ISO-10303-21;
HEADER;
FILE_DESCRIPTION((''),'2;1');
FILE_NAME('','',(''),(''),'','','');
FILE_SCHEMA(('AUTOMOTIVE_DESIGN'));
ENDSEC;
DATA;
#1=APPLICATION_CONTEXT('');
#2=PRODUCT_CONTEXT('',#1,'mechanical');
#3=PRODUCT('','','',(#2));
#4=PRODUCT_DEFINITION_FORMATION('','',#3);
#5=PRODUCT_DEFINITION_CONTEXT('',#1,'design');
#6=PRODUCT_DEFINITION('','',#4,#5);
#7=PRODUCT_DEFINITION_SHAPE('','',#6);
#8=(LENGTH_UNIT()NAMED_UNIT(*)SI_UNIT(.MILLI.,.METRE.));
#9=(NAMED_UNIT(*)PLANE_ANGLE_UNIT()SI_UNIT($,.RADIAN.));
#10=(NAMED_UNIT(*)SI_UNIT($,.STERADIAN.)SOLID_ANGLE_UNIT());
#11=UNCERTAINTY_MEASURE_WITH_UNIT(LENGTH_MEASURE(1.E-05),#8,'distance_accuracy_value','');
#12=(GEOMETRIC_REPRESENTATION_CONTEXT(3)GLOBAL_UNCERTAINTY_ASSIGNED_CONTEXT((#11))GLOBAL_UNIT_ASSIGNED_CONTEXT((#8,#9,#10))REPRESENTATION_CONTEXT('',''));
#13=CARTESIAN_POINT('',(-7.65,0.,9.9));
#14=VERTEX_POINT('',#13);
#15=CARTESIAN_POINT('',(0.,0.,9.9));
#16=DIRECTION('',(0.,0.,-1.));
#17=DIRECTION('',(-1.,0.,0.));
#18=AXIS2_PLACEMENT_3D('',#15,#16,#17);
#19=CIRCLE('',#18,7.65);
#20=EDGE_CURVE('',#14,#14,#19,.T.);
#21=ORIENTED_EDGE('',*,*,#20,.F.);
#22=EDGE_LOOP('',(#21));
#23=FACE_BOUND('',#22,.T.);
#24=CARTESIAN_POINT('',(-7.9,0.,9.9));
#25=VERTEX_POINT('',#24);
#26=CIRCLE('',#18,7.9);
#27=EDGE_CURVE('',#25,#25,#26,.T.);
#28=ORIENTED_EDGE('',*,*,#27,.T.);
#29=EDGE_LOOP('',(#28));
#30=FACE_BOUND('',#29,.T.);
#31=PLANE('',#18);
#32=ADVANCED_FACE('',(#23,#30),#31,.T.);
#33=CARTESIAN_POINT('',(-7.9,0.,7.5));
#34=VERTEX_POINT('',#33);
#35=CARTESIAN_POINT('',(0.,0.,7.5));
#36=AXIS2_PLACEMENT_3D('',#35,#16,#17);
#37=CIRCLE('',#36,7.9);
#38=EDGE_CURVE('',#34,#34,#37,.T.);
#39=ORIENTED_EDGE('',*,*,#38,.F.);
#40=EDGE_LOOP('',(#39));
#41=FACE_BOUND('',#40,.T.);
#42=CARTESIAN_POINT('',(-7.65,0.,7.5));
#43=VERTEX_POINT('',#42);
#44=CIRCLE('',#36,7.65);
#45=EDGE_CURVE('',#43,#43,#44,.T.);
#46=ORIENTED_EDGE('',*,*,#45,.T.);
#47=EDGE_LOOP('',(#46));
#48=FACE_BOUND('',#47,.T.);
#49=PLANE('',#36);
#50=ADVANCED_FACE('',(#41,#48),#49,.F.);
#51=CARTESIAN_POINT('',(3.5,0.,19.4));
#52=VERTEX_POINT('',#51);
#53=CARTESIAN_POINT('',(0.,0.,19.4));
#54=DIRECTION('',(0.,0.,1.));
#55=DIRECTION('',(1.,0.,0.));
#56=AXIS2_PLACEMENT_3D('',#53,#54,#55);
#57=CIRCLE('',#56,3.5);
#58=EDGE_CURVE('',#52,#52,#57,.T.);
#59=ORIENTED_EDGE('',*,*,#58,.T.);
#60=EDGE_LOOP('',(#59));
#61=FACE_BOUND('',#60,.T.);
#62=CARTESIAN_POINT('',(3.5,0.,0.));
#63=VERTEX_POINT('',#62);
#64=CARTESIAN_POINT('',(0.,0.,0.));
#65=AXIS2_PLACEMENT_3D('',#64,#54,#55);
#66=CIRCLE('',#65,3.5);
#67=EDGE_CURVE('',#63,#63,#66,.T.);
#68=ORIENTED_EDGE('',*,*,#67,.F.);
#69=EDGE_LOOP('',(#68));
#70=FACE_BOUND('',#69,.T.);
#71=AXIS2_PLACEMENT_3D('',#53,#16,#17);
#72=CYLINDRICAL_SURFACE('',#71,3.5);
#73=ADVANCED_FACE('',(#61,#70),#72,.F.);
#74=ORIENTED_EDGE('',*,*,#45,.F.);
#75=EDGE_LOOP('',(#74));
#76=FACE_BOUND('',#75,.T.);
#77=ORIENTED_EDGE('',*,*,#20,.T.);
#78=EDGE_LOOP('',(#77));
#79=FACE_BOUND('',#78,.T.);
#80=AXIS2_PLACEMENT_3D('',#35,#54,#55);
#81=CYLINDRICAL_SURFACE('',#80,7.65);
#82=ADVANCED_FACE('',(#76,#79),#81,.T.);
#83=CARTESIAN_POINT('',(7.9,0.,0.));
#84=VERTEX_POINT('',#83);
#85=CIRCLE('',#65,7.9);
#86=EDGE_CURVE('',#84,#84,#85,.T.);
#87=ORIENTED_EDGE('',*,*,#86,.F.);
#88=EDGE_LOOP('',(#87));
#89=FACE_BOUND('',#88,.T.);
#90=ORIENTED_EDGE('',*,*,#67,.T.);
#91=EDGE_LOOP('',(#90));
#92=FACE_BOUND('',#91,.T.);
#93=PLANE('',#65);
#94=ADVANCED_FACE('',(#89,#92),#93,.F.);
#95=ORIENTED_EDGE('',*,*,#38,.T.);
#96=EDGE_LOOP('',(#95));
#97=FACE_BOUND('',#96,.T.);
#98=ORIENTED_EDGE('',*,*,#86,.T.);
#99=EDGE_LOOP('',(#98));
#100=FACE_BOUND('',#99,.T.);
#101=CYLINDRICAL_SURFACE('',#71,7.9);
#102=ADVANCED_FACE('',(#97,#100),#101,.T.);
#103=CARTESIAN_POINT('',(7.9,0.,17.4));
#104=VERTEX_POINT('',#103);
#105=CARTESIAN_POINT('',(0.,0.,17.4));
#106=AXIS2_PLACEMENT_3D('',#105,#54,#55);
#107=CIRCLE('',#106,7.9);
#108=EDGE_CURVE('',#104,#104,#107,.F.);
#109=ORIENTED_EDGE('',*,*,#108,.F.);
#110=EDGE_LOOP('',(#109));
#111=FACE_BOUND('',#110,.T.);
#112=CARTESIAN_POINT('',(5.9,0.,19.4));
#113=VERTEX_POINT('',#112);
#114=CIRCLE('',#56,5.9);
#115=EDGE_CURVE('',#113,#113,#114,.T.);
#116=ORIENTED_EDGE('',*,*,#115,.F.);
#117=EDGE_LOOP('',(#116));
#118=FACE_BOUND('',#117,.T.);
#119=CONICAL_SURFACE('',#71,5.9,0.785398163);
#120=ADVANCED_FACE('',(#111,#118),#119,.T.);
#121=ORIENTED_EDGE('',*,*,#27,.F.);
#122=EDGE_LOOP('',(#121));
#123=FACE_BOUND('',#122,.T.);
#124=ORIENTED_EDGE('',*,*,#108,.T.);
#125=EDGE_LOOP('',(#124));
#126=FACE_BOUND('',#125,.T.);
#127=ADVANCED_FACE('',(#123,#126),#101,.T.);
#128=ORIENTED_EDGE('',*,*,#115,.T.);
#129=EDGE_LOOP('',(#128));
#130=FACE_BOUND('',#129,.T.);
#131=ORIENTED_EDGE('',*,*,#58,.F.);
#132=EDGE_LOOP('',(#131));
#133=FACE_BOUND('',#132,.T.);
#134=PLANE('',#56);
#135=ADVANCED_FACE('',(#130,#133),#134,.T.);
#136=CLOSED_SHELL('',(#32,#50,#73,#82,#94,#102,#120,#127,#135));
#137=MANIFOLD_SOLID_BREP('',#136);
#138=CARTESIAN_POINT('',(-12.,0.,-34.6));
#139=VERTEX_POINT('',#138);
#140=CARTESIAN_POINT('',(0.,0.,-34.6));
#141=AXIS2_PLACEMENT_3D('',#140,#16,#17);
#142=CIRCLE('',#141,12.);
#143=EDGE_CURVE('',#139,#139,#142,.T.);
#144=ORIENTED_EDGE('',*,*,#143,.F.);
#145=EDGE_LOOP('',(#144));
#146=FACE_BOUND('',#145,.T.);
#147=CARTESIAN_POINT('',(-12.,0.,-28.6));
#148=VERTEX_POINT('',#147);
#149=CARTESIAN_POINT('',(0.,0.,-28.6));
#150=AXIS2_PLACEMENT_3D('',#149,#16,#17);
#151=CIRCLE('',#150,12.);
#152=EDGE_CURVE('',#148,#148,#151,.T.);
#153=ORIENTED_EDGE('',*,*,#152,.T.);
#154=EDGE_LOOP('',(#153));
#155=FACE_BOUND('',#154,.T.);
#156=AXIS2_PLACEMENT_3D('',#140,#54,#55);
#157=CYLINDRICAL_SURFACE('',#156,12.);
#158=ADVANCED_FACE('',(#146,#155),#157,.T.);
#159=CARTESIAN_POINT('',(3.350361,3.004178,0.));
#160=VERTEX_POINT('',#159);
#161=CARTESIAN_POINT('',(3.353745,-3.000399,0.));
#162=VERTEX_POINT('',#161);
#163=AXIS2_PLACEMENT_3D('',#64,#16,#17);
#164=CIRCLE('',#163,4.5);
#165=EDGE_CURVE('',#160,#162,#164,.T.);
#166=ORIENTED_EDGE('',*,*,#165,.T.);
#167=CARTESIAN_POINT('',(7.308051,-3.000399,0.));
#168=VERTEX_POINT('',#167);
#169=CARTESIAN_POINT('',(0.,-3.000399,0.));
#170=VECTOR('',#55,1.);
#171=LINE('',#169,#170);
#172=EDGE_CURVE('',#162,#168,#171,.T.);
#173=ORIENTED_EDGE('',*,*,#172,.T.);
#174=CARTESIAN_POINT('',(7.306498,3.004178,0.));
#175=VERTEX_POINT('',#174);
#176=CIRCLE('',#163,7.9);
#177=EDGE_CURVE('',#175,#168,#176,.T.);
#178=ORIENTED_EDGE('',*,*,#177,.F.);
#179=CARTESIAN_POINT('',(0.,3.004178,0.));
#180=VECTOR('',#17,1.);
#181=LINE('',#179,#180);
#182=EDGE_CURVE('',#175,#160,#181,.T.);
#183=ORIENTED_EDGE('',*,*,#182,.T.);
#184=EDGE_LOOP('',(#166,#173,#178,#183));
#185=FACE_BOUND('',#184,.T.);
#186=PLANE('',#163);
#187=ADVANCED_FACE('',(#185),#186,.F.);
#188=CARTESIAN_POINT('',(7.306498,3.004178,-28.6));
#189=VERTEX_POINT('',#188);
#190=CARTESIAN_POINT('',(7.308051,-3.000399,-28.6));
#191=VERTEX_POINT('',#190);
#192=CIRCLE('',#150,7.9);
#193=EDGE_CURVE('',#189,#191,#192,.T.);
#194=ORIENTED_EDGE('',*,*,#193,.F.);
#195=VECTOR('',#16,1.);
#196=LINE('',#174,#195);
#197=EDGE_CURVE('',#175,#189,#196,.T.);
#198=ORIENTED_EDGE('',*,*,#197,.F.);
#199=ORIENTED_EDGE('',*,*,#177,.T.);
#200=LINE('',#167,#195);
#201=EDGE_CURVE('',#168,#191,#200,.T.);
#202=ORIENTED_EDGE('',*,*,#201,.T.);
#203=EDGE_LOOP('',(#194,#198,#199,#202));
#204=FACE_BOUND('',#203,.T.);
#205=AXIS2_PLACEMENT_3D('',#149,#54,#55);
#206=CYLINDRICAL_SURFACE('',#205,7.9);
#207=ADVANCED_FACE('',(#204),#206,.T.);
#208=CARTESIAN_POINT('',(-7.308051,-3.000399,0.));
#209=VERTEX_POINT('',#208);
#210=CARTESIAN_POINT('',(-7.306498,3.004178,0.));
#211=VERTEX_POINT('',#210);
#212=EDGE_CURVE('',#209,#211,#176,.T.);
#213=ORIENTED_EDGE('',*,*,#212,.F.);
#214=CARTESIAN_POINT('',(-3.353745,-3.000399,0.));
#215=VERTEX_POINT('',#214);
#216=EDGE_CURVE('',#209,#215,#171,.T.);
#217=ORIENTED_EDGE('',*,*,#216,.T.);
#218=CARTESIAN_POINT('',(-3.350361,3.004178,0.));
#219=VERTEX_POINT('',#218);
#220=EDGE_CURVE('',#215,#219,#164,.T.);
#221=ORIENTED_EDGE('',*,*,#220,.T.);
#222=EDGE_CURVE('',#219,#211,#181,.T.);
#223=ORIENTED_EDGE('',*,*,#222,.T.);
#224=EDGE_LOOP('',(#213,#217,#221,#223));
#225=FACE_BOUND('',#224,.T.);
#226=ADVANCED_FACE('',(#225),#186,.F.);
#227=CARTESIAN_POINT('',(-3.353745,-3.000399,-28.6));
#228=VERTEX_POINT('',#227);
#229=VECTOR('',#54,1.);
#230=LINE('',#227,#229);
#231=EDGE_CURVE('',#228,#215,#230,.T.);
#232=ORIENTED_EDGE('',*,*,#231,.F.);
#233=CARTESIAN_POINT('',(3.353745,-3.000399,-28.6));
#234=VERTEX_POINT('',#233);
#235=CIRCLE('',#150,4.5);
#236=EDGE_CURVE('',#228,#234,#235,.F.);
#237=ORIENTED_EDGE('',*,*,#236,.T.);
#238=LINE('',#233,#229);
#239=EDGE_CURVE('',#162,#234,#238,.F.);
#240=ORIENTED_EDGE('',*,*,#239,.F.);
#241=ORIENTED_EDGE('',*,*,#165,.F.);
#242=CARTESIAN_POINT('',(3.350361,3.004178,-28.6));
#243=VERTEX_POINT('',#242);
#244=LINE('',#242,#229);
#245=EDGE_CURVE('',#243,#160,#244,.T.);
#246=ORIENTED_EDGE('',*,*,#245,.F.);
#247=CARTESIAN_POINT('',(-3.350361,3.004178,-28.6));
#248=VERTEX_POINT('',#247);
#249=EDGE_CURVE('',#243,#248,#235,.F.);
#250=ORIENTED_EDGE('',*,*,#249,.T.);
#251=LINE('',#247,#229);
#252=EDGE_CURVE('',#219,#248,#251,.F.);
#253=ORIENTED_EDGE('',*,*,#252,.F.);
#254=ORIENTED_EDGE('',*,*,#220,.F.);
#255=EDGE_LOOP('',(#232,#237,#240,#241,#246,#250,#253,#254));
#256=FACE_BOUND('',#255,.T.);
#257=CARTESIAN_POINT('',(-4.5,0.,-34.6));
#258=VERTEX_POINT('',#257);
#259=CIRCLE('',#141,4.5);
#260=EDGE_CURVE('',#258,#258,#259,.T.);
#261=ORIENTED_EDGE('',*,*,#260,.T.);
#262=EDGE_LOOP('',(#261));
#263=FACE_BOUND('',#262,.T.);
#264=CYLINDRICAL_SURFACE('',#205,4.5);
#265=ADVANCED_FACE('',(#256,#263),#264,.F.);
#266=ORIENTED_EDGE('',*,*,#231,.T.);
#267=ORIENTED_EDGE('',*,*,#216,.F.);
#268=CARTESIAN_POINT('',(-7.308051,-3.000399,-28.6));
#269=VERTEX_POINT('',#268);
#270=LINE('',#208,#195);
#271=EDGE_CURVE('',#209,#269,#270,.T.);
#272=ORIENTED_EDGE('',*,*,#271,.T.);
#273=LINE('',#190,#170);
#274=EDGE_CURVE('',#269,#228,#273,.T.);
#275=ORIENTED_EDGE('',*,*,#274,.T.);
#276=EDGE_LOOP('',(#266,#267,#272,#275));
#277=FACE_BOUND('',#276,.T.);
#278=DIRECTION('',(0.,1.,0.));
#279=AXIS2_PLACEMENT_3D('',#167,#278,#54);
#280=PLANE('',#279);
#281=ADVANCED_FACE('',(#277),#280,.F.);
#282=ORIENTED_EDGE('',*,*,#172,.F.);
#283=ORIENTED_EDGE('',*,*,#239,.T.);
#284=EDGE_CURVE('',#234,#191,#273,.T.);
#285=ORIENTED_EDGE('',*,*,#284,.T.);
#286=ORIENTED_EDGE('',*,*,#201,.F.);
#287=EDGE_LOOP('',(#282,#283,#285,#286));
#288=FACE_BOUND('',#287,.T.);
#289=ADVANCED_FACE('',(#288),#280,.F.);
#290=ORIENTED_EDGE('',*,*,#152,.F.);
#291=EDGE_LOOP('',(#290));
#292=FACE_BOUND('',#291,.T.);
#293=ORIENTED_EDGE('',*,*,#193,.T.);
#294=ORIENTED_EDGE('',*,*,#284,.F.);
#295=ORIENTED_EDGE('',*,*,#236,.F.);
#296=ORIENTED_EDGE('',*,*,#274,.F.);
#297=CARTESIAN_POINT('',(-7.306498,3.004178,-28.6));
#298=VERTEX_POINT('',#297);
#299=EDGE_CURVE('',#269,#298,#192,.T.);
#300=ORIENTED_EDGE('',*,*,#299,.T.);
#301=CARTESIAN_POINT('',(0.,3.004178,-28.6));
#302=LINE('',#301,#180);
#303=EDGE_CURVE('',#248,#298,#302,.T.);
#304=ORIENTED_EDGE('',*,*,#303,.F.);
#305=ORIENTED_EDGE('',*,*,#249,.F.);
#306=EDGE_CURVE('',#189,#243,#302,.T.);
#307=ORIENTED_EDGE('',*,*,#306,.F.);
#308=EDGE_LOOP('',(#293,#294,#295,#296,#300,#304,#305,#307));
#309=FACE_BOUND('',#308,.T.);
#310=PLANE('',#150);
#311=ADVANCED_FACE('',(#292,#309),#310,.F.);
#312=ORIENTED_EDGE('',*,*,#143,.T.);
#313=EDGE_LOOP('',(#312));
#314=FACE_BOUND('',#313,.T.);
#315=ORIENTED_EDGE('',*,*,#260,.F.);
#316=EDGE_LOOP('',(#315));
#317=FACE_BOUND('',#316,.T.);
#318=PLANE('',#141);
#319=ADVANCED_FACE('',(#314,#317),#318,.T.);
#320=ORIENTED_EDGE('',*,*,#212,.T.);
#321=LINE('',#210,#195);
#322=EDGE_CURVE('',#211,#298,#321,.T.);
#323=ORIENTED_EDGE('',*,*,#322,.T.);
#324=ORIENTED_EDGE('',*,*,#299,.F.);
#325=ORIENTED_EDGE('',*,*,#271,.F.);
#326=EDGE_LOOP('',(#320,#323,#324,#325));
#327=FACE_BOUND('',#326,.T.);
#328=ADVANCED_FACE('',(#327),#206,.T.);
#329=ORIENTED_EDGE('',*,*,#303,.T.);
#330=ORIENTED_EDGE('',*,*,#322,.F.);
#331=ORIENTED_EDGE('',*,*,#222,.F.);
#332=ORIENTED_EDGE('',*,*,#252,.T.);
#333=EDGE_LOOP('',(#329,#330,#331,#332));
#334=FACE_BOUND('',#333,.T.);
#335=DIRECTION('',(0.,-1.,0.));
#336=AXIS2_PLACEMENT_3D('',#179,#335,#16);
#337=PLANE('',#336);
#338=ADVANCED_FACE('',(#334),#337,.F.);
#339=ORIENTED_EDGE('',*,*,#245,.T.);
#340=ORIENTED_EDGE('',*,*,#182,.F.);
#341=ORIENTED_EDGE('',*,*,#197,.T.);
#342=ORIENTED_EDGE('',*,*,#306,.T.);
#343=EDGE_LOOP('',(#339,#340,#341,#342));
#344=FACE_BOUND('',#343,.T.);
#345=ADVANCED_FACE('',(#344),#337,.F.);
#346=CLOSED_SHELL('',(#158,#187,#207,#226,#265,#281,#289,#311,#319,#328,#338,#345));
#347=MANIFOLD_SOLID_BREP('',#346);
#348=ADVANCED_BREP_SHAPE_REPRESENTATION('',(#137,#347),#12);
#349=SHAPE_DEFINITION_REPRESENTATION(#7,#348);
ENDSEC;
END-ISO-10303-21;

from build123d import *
from build123d.topology import SkipClean

# Parameters (mm, degrees)
SKETCH1_R           = 7.9
SKETCH1_R_2         = 3.5
BOSS_EXTRUDE1_DEPTH = 19.4
CHAMFER1_SIZE       = 2
CUT_EXTRUDE6_START  = 2.4
SKETCH19_R          = 7.9
SKETCH19_R_2        = 7.65
CUT_EXTRUDE6_DEPTH  = 2.4
SKETCH20_R          = 7.9
SKETCH20_R_2        = 4.5
BOSS_EXTRUDE3_DEPTH = 28.6
CUT_EXTRUDE7_DEPTH  = 28.6
SKETCH22_R          = 12
BOSS_EXTRUDE4_DEPTH = 6
SKETCH23_R          = 4.5
CUT_EXTRUDE8_DEPTH  = 6


with BuildPart() as part:
    # Sketch1 → Boss-Extrude1 (new body)
    with BuildSketch(Plane.XY):
        Circle(SKETCH1_R)
        Circle(SKETCH1_R_2, mode=Mode.SUBTRACT)
    extrude(amount=BOSS_EXTRUDE1_DEPTH)

    # Chamfer1
    chamfer1_edges = [part.edges().sort_by_distance(p)[0] for p in [
        (-7.9, 0, 19.4),
    ]]
    chamfer(chamfer1_edges, length=CHAMFER1_SIZE)

    # Sketch19 → Cut-Extrude6 (cut)
    with BuildSketch(Plane(origin=(0, 0, 9.9), x_dir=(-1, 0, 0), z_dir=(0, 0, -1)).offset(CUT_EXTRUDE6_START)):
        Circle(SKETCH19_R)
        Circle(SKETCH19_R_2, mode=Mode.SUBTRACT)
    extrude(amount=-CUT_EXTRUDE6_DEPTH, mode=Mode.SUBTRACT)


with BuildPart() as body_2:
    # Sketch20 → Boss-Extrude3 (new body)
    with BuildSketch(Plane(origin=(0, 0, 0), x_dir=(-1, 0, 0), z_dir=(0, 0, -1))):
        Circle(SKETCH20_R)
        Circle(SKETCH20_R_2, mode=Mode.SUBTRACT)
    extrude(amount=BOSS_EXTRUDE3_DEPTH)

    # Sketch21 → Cut-Extrude7 (cut)
    with BuildSketch(Plane(origin=(0, 0, -28.6), x_dir=(-1, 0, 0), z_dir=(0, 0, -1))):
        with BuildLine():
            Line((0, 3.004177824), (-7.306498176, 3.004177824))
            ThreePointArc((-7.306498176, 3.004177824), (0, 7.9), (7.306498176, 3.004177824))
            Line((7.306498176, 3.004177824), (0, 3.004177824))
        make_face()
        with BuildLine():
            Line((-7.308050668, -3.000399212), (0, -3.000399212))
            Line((0, -3.000399212), (7.308050668, -3.000399212))
            ThreePointArc((7.308050668, -3.000399212), (0, -7.9), (-7.308050668, -3.000399212))
        make_face()
    extrude(amount=-CUT_EXTRUDE7_DEPTH, mode=Mode.SUBTRACT)


with BuildPart() as cut_extrude7_piece_1:
    # of the separate pieces the step leaves, piece 1, a body of its own (cut_extrude7_pieces)
    add(body_2.part.solids().sort_by_distance((-7.308050668, -3.000399212, 0))[0])



with BuildPart() as cut_extrude7_piece_2:
    # of the separate pieces the step leaves, piece 2, a body of its own (cut_extrude7_pieces)
    add(body_2.part.solids().sort_by_distance((7.306498176, 3.004177824, 0))[0])


with BuildPart() as cut_extrude7_piece_1_1:
    add(cut_extrude7_piece_1.part)

    add(cut_extrude7_piece_2.part)  # Boss-Extrude4 merges Cut-Extrude7 piece 2
    # Sketch22 → Boss-Extrude4 (add)
    with BuildSketch(Plane(origin=(0, 0, -28.6), x_dir=(-1, 0, 0), z_dir=(0, 0, -1))):
        Circle(SKETCH22_R)
    extrude(amount=BOSS_EXTRUDE4_DEPTH)

    # Sketch23 → Cut-Extrude8 (cut)
    with SkipClean():  # the faces are left unmerged after this step: merging them gives an invalid solid
        with BuildSketch(Plane(origin=(0, 0, -34.6), x_dir=(-1, 0, 0), z_dir=(0, 0, -1))):
            with Locations(Location((0, 0, 0), (0, 0, 221.817134721))):
                Circle(SKETCH23_R)
        extrude(amount=-CUT_EXTRUDE8_DEPTH, mode=Mode.SUBTRACT)


solid = Compound([part.part, cut_extrude7_piece_1_1.part])
